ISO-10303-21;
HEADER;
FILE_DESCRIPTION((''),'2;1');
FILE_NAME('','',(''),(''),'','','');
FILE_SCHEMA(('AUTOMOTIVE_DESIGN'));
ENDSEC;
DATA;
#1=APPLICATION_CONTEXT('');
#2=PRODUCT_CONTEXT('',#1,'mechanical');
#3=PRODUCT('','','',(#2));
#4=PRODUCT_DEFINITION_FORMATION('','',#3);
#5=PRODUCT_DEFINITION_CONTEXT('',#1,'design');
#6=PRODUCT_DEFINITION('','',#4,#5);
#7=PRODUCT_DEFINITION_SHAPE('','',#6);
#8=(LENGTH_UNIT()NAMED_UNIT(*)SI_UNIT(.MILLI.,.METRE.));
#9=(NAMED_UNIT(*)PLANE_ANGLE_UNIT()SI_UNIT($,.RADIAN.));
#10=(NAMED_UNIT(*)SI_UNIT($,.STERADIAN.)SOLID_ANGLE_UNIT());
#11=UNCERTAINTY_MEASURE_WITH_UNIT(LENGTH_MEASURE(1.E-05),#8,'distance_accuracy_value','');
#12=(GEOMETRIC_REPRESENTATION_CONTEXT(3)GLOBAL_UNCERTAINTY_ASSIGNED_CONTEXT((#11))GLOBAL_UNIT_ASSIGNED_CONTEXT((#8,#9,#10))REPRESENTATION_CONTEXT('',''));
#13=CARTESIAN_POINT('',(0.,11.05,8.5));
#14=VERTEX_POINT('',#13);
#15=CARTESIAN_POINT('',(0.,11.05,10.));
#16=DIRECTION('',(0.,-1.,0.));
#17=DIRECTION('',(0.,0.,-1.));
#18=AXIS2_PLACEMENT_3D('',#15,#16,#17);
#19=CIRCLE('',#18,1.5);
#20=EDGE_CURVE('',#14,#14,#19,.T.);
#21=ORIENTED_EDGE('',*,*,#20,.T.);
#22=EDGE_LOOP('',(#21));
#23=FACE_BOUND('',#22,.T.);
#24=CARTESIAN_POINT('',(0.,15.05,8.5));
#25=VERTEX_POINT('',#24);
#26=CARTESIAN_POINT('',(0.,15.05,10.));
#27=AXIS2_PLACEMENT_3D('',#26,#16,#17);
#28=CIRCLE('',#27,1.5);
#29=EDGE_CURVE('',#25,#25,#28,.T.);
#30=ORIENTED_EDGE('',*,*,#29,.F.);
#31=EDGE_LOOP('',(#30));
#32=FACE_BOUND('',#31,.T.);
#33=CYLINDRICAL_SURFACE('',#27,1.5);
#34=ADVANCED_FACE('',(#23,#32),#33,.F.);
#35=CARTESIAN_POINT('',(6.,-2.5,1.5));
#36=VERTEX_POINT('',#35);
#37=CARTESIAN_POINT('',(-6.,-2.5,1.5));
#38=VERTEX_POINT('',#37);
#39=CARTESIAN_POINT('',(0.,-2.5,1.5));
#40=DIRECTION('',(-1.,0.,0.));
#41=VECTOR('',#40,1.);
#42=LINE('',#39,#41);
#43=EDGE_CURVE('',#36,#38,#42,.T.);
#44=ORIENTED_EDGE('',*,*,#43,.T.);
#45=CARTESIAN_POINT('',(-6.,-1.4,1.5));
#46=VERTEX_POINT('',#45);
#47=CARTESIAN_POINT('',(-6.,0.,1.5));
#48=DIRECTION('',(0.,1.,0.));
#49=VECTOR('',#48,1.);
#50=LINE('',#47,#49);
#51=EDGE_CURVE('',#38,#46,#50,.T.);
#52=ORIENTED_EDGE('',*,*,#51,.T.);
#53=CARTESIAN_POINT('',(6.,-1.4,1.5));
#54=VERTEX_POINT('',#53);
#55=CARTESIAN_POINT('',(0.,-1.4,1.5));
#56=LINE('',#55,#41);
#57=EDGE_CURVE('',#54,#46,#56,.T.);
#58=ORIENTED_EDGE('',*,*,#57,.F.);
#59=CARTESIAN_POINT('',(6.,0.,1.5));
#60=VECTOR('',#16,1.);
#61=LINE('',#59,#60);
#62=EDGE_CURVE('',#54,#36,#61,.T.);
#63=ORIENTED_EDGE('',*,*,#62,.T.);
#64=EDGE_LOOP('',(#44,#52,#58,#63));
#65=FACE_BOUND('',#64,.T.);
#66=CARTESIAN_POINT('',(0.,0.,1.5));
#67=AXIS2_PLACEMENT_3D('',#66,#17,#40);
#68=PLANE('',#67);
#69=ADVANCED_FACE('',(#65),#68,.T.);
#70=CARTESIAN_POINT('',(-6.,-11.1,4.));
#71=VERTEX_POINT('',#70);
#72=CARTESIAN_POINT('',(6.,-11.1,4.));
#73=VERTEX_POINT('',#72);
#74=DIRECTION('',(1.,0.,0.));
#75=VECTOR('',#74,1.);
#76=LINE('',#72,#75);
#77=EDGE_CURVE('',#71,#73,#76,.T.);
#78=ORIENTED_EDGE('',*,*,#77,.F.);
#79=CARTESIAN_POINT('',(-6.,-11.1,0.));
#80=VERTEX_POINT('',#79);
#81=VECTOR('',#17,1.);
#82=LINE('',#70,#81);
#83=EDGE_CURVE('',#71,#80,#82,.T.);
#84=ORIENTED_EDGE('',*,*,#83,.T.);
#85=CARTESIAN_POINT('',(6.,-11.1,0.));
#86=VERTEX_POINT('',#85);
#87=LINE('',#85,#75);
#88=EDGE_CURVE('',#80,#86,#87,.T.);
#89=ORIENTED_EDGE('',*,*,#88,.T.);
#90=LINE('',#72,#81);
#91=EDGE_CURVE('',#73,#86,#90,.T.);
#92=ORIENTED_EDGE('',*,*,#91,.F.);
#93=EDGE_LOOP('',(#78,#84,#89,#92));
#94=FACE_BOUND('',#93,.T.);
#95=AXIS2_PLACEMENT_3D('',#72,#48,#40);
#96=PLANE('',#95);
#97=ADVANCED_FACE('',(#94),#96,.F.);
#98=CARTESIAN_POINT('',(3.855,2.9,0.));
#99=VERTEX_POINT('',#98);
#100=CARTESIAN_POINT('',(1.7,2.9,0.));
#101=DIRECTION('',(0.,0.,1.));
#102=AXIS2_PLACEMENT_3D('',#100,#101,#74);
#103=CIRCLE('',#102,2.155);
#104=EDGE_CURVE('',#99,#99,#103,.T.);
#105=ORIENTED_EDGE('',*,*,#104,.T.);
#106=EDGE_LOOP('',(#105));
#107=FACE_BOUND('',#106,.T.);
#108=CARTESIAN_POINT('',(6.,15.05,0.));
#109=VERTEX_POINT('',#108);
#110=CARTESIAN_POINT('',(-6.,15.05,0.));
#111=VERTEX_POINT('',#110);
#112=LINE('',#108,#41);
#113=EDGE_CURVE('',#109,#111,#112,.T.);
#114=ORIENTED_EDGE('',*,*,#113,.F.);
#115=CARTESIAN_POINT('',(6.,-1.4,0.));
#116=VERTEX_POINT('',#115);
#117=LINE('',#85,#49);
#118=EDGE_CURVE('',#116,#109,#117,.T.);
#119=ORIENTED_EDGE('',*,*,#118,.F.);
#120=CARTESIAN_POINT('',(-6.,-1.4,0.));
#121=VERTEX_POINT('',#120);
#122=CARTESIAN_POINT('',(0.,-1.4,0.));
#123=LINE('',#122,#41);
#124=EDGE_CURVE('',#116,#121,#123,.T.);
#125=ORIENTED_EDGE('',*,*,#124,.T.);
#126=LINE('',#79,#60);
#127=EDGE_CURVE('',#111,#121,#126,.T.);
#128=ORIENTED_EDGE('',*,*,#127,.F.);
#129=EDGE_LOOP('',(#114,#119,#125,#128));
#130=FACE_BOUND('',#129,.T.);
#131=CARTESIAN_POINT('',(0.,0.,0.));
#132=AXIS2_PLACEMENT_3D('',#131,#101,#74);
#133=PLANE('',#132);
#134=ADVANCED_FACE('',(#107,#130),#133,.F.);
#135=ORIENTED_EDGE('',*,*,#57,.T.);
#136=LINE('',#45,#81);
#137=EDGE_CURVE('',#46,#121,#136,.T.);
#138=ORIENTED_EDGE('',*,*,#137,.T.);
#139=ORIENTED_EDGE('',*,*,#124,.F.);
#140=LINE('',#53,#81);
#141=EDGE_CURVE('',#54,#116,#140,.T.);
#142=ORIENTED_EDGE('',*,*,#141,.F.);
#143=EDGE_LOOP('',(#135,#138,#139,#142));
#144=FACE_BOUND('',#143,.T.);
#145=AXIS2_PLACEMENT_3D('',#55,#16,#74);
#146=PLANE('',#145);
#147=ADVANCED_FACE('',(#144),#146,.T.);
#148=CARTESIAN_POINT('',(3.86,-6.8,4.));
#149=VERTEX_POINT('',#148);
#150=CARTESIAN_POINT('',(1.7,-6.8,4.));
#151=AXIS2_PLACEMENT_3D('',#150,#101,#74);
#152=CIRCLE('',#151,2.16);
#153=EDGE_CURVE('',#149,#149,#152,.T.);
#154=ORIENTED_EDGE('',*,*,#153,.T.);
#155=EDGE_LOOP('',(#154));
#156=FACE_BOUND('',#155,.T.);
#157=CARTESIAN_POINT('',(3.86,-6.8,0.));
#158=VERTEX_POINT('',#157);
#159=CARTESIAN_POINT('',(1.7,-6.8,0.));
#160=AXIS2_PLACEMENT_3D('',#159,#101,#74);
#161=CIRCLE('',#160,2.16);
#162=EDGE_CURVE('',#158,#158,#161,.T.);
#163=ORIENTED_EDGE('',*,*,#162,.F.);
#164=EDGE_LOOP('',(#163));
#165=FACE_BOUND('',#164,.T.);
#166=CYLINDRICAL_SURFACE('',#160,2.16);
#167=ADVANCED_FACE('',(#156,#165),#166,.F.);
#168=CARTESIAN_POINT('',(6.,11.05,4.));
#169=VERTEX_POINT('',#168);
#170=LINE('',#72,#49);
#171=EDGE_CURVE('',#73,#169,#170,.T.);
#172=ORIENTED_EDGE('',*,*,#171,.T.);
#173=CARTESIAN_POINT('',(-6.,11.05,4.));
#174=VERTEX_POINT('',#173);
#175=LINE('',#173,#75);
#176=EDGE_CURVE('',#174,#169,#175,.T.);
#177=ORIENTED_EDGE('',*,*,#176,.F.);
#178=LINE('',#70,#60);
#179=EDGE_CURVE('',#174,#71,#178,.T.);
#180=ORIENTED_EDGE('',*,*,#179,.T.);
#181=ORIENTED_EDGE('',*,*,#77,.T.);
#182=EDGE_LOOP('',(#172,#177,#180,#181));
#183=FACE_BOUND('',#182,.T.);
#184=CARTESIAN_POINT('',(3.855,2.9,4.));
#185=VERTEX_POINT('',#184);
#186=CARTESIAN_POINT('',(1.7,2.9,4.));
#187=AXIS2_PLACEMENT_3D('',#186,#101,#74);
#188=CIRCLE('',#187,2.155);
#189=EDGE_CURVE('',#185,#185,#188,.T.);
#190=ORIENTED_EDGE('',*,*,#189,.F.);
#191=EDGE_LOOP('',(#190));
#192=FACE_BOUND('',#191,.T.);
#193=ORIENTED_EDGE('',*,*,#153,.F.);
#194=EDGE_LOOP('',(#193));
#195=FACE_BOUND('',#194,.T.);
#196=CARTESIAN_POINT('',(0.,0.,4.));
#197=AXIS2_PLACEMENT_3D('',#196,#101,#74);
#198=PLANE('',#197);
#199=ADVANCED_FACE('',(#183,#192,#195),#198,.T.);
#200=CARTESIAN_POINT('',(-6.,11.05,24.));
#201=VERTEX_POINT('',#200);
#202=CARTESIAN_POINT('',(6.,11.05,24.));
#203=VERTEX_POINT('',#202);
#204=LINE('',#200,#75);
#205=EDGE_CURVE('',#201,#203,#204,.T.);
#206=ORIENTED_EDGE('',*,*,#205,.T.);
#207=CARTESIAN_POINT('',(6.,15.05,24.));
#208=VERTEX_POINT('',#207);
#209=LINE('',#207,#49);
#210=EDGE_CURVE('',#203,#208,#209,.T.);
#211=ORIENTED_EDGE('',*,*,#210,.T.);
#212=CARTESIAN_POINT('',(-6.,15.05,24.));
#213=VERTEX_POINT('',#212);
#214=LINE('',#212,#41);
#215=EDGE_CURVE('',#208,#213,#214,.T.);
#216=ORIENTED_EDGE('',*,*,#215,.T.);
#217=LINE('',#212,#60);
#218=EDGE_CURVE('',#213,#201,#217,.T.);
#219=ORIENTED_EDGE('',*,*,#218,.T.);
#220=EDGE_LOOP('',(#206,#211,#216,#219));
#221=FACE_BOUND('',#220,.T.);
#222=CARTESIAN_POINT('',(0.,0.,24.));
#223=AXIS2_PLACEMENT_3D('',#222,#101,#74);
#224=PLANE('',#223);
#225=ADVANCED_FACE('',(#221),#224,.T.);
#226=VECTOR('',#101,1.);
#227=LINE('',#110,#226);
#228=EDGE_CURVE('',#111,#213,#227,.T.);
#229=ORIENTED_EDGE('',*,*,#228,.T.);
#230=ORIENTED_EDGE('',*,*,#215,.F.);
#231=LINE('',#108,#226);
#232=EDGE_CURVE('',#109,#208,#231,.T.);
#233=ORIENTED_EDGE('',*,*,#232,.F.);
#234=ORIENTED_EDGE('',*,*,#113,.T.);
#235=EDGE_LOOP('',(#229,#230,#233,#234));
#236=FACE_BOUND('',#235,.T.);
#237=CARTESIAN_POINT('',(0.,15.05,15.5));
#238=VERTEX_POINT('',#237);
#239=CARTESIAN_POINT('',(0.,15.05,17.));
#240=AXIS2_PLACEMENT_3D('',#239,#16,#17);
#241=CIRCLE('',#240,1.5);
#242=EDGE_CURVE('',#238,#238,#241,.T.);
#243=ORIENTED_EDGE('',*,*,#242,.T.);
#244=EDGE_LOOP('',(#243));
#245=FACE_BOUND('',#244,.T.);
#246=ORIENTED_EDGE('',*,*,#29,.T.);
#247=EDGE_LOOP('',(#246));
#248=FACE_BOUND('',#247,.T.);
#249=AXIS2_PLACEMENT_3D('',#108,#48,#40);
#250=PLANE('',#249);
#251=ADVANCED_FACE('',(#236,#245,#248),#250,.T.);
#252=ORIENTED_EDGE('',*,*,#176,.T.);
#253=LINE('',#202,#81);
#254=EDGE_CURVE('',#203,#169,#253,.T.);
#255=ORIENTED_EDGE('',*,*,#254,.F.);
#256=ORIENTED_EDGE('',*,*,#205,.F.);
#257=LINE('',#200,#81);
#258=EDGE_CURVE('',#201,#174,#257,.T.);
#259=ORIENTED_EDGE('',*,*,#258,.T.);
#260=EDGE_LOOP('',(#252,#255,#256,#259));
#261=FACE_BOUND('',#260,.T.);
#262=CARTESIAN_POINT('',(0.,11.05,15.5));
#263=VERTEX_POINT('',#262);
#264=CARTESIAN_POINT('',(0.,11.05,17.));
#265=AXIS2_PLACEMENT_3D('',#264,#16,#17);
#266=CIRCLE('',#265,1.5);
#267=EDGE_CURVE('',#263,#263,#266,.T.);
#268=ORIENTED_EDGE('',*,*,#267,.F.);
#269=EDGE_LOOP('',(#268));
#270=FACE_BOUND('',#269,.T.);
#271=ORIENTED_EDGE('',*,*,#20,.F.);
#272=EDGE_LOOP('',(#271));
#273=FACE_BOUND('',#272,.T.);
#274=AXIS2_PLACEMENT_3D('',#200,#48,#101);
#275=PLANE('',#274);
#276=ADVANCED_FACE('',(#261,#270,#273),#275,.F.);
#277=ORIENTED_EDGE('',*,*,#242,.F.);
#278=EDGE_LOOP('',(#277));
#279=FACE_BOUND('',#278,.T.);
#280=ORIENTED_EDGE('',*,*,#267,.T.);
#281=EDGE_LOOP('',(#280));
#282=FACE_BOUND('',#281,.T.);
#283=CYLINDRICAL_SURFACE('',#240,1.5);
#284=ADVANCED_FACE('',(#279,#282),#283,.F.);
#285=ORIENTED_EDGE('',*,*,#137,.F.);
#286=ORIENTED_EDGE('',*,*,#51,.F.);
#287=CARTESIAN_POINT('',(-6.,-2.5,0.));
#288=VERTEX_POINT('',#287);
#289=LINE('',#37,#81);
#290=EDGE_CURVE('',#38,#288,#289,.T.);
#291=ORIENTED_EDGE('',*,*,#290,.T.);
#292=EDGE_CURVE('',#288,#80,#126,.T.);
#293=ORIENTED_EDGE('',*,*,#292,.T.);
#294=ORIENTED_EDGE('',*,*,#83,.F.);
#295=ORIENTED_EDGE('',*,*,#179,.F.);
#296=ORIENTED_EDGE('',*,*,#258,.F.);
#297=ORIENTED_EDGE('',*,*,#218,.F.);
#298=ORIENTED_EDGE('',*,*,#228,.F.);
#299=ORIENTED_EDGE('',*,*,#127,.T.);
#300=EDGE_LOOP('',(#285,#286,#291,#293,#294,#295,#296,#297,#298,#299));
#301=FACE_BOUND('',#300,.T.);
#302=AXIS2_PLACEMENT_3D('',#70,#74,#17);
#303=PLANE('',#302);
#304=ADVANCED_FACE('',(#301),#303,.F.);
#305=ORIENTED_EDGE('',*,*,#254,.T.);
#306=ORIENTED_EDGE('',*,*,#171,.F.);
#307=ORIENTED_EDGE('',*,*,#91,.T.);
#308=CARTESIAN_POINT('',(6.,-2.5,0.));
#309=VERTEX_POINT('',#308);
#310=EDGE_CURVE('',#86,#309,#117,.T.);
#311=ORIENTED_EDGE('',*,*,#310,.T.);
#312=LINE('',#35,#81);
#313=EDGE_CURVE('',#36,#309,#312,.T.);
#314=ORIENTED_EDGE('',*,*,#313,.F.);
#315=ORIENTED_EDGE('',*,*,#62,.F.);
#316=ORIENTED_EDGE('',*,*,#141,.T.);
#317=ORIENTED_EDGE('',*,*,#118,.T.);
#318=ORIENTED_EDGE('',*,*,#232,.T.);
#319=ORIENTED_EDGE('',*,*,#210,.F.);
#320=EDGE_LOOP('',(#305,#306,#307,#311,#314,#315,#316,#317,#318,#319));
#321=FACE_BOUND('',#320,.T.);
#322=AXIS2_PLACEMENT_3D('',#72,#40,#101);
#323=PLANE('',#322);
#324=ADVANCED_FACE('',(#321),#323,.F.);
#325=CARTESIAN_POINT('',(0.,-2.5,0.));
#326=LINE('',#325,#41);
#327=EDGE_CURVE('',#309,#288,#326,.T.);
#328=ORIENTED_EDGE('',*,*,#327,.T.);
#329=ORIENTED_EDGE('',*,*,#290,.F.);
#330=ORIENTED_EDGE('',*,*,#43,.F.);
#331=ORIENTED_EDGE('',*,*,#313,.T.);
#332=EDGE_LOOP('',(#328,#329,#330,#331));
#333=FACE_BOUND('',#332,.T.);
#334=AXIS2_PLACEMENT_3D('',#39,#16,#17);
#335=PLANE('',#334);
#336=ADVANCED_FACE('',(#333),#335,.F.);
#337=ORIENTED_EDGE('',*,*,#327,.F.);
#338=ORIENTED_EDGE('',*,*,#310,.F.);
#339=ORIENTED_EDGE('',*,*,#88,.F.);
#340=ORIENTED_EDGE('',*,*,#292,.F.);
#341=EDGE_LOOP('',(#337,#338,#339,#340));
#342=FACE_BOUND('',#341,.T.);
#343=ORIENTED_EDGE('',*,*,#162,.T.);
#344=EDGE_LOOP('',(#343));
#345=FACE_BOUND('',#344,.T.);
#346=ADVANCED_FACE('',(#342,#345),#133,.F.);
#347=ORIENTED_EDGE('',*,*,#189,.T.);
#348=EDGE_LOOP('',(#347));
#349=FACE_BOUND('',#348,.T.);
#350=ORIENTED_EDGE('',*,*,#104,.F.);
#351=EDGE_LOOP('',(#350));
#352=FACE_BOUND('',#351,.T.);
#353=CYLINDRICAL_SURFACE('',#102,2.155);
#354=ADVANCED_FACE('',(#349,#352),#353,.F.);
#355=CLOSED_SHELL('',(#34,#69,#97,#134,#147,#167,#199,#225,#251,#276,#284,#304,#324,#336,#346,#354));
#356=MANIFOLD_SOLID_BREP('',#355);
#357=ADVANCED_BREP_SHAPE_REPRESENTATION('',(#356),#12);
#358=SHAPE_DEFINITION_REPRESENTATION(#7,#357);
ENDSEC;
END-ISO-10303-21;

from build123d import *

# Parameters (mm, degrees)
SKETCH_1_W          = 12
SKETCH_1_H          = 22.2
EXTRUDE_1_DEPTH     = 4
SKETCH_2_R          = 2.16
SKETCH_2_R_2        = 2.155
CUT_EXTRUDE_1_DEPTH = 4
CUT_EXTRUDE_2_DEPTH = 1.5
SKETCH_5_W          = 13.387393305
SKETCH_5_H          = 3.9
CUT_EXTRUDE_3_DEPTH = 14.23669143
SKETCH_6_W          = 12
SKETCH_6_H          = 7.85
EXTRUDE_3_DEPTH     = 4
SKETCH_7_W          = 12
SKETCH_7_H          = 4
EXTRUDE_4_DEPTH     = 20
SKETCH_8_R          = 1.5
CUT_EXTRUDE_4_DEPTH = 34.205760042


with BuildPart() as part:
    # 草图1 → 凸台-拉伸1 (new body)
    with BuildSketch(Plane.XY):
        Rectangle(SKETCH_1_W, SKETCH_1_H)
    extrude(amount=EXTRUDE_1_DEPTH)

    # 草图2 → 切除-拉伸1 (cut)
    with BuildSketch(Plane.XY.offset(4)):
        with Locations((1.7, -6.8)):
            Circle(SKETCH_2_R)
        with Locations((1.7, 2.9)):
            Circle(SKETCH_2_R_2)
    extrude(amount=-CUT_EXTRUDE_1_DEPTH, mode=Mode.SUBTRACT)

    # 草图4 → 切除-拉伸2 (cut)
    with BuildSketch(Plane(origin=(0, 0, 0), x_dir=(-1, 0, 0), z_dir=(0, 0, -1))):
        Polygon((-6, -1.4), (-6, -2.5), (-1.7, -2.5), (6, -2.5), (6, -1.4), (-1.7, -1.4), align=None)
    extrude(amount=-CUT_EXTRUDE_2_DEPTH, mode=Mode.SUBTRACT)

    # 草图5 → 切除-拉伸3 (cut, through all)
    with BuildSketch(Plane(origin=(0, 0, 0), x_dir=(-1, 0, 0), z_dir=(0, 0, -1))):
        with Locations((0.693696653, 9.15)):
            Rectangle(SKETCH_5_W, SKETCH_5_H)
    extrude(amount=-CUT_EXTRUDE_3_DEPTH, mode=Mode.SUBTRACT)

    # 草图6 → 凸台-拉伸3 (add)
    with BuildSketch(Plane.XY.offset(4)):
        with Locations((0, 11.125)):
            Rectangle(SKETCH_6_W, SKETCH_6_H)
    extrude(amount=-EXTRUDE_3_DEPTH)

    # 草图7 → 凸台-拉伸4 (add)
    with BuildSketch(Plane.XY.offset(4)):
        with Locations((0, 13.05)):
            Rectangle(SKETCH_7_W, SKETCH_7_H)
    extrude(amount=EXTRUDE_4_DEPTH)

    # 草图8 → 切除-拉伸4 (cut, through all)
    with BuildSketch(Plane.XZ.offset(-11.05)):
        with Locations(Location((0, 10, 0), (0, 0, 270))):
            Circle(SKETCH_8_R)
        with Locations(Location((0, 17, 0), (0, 0, 270))):
            Circle(SKETCH_8_R)
    extrude(amount=-CUT_EXTRUDE_4_DEPTH, mode=Mode.SUBTRACT)


solid = part.part
